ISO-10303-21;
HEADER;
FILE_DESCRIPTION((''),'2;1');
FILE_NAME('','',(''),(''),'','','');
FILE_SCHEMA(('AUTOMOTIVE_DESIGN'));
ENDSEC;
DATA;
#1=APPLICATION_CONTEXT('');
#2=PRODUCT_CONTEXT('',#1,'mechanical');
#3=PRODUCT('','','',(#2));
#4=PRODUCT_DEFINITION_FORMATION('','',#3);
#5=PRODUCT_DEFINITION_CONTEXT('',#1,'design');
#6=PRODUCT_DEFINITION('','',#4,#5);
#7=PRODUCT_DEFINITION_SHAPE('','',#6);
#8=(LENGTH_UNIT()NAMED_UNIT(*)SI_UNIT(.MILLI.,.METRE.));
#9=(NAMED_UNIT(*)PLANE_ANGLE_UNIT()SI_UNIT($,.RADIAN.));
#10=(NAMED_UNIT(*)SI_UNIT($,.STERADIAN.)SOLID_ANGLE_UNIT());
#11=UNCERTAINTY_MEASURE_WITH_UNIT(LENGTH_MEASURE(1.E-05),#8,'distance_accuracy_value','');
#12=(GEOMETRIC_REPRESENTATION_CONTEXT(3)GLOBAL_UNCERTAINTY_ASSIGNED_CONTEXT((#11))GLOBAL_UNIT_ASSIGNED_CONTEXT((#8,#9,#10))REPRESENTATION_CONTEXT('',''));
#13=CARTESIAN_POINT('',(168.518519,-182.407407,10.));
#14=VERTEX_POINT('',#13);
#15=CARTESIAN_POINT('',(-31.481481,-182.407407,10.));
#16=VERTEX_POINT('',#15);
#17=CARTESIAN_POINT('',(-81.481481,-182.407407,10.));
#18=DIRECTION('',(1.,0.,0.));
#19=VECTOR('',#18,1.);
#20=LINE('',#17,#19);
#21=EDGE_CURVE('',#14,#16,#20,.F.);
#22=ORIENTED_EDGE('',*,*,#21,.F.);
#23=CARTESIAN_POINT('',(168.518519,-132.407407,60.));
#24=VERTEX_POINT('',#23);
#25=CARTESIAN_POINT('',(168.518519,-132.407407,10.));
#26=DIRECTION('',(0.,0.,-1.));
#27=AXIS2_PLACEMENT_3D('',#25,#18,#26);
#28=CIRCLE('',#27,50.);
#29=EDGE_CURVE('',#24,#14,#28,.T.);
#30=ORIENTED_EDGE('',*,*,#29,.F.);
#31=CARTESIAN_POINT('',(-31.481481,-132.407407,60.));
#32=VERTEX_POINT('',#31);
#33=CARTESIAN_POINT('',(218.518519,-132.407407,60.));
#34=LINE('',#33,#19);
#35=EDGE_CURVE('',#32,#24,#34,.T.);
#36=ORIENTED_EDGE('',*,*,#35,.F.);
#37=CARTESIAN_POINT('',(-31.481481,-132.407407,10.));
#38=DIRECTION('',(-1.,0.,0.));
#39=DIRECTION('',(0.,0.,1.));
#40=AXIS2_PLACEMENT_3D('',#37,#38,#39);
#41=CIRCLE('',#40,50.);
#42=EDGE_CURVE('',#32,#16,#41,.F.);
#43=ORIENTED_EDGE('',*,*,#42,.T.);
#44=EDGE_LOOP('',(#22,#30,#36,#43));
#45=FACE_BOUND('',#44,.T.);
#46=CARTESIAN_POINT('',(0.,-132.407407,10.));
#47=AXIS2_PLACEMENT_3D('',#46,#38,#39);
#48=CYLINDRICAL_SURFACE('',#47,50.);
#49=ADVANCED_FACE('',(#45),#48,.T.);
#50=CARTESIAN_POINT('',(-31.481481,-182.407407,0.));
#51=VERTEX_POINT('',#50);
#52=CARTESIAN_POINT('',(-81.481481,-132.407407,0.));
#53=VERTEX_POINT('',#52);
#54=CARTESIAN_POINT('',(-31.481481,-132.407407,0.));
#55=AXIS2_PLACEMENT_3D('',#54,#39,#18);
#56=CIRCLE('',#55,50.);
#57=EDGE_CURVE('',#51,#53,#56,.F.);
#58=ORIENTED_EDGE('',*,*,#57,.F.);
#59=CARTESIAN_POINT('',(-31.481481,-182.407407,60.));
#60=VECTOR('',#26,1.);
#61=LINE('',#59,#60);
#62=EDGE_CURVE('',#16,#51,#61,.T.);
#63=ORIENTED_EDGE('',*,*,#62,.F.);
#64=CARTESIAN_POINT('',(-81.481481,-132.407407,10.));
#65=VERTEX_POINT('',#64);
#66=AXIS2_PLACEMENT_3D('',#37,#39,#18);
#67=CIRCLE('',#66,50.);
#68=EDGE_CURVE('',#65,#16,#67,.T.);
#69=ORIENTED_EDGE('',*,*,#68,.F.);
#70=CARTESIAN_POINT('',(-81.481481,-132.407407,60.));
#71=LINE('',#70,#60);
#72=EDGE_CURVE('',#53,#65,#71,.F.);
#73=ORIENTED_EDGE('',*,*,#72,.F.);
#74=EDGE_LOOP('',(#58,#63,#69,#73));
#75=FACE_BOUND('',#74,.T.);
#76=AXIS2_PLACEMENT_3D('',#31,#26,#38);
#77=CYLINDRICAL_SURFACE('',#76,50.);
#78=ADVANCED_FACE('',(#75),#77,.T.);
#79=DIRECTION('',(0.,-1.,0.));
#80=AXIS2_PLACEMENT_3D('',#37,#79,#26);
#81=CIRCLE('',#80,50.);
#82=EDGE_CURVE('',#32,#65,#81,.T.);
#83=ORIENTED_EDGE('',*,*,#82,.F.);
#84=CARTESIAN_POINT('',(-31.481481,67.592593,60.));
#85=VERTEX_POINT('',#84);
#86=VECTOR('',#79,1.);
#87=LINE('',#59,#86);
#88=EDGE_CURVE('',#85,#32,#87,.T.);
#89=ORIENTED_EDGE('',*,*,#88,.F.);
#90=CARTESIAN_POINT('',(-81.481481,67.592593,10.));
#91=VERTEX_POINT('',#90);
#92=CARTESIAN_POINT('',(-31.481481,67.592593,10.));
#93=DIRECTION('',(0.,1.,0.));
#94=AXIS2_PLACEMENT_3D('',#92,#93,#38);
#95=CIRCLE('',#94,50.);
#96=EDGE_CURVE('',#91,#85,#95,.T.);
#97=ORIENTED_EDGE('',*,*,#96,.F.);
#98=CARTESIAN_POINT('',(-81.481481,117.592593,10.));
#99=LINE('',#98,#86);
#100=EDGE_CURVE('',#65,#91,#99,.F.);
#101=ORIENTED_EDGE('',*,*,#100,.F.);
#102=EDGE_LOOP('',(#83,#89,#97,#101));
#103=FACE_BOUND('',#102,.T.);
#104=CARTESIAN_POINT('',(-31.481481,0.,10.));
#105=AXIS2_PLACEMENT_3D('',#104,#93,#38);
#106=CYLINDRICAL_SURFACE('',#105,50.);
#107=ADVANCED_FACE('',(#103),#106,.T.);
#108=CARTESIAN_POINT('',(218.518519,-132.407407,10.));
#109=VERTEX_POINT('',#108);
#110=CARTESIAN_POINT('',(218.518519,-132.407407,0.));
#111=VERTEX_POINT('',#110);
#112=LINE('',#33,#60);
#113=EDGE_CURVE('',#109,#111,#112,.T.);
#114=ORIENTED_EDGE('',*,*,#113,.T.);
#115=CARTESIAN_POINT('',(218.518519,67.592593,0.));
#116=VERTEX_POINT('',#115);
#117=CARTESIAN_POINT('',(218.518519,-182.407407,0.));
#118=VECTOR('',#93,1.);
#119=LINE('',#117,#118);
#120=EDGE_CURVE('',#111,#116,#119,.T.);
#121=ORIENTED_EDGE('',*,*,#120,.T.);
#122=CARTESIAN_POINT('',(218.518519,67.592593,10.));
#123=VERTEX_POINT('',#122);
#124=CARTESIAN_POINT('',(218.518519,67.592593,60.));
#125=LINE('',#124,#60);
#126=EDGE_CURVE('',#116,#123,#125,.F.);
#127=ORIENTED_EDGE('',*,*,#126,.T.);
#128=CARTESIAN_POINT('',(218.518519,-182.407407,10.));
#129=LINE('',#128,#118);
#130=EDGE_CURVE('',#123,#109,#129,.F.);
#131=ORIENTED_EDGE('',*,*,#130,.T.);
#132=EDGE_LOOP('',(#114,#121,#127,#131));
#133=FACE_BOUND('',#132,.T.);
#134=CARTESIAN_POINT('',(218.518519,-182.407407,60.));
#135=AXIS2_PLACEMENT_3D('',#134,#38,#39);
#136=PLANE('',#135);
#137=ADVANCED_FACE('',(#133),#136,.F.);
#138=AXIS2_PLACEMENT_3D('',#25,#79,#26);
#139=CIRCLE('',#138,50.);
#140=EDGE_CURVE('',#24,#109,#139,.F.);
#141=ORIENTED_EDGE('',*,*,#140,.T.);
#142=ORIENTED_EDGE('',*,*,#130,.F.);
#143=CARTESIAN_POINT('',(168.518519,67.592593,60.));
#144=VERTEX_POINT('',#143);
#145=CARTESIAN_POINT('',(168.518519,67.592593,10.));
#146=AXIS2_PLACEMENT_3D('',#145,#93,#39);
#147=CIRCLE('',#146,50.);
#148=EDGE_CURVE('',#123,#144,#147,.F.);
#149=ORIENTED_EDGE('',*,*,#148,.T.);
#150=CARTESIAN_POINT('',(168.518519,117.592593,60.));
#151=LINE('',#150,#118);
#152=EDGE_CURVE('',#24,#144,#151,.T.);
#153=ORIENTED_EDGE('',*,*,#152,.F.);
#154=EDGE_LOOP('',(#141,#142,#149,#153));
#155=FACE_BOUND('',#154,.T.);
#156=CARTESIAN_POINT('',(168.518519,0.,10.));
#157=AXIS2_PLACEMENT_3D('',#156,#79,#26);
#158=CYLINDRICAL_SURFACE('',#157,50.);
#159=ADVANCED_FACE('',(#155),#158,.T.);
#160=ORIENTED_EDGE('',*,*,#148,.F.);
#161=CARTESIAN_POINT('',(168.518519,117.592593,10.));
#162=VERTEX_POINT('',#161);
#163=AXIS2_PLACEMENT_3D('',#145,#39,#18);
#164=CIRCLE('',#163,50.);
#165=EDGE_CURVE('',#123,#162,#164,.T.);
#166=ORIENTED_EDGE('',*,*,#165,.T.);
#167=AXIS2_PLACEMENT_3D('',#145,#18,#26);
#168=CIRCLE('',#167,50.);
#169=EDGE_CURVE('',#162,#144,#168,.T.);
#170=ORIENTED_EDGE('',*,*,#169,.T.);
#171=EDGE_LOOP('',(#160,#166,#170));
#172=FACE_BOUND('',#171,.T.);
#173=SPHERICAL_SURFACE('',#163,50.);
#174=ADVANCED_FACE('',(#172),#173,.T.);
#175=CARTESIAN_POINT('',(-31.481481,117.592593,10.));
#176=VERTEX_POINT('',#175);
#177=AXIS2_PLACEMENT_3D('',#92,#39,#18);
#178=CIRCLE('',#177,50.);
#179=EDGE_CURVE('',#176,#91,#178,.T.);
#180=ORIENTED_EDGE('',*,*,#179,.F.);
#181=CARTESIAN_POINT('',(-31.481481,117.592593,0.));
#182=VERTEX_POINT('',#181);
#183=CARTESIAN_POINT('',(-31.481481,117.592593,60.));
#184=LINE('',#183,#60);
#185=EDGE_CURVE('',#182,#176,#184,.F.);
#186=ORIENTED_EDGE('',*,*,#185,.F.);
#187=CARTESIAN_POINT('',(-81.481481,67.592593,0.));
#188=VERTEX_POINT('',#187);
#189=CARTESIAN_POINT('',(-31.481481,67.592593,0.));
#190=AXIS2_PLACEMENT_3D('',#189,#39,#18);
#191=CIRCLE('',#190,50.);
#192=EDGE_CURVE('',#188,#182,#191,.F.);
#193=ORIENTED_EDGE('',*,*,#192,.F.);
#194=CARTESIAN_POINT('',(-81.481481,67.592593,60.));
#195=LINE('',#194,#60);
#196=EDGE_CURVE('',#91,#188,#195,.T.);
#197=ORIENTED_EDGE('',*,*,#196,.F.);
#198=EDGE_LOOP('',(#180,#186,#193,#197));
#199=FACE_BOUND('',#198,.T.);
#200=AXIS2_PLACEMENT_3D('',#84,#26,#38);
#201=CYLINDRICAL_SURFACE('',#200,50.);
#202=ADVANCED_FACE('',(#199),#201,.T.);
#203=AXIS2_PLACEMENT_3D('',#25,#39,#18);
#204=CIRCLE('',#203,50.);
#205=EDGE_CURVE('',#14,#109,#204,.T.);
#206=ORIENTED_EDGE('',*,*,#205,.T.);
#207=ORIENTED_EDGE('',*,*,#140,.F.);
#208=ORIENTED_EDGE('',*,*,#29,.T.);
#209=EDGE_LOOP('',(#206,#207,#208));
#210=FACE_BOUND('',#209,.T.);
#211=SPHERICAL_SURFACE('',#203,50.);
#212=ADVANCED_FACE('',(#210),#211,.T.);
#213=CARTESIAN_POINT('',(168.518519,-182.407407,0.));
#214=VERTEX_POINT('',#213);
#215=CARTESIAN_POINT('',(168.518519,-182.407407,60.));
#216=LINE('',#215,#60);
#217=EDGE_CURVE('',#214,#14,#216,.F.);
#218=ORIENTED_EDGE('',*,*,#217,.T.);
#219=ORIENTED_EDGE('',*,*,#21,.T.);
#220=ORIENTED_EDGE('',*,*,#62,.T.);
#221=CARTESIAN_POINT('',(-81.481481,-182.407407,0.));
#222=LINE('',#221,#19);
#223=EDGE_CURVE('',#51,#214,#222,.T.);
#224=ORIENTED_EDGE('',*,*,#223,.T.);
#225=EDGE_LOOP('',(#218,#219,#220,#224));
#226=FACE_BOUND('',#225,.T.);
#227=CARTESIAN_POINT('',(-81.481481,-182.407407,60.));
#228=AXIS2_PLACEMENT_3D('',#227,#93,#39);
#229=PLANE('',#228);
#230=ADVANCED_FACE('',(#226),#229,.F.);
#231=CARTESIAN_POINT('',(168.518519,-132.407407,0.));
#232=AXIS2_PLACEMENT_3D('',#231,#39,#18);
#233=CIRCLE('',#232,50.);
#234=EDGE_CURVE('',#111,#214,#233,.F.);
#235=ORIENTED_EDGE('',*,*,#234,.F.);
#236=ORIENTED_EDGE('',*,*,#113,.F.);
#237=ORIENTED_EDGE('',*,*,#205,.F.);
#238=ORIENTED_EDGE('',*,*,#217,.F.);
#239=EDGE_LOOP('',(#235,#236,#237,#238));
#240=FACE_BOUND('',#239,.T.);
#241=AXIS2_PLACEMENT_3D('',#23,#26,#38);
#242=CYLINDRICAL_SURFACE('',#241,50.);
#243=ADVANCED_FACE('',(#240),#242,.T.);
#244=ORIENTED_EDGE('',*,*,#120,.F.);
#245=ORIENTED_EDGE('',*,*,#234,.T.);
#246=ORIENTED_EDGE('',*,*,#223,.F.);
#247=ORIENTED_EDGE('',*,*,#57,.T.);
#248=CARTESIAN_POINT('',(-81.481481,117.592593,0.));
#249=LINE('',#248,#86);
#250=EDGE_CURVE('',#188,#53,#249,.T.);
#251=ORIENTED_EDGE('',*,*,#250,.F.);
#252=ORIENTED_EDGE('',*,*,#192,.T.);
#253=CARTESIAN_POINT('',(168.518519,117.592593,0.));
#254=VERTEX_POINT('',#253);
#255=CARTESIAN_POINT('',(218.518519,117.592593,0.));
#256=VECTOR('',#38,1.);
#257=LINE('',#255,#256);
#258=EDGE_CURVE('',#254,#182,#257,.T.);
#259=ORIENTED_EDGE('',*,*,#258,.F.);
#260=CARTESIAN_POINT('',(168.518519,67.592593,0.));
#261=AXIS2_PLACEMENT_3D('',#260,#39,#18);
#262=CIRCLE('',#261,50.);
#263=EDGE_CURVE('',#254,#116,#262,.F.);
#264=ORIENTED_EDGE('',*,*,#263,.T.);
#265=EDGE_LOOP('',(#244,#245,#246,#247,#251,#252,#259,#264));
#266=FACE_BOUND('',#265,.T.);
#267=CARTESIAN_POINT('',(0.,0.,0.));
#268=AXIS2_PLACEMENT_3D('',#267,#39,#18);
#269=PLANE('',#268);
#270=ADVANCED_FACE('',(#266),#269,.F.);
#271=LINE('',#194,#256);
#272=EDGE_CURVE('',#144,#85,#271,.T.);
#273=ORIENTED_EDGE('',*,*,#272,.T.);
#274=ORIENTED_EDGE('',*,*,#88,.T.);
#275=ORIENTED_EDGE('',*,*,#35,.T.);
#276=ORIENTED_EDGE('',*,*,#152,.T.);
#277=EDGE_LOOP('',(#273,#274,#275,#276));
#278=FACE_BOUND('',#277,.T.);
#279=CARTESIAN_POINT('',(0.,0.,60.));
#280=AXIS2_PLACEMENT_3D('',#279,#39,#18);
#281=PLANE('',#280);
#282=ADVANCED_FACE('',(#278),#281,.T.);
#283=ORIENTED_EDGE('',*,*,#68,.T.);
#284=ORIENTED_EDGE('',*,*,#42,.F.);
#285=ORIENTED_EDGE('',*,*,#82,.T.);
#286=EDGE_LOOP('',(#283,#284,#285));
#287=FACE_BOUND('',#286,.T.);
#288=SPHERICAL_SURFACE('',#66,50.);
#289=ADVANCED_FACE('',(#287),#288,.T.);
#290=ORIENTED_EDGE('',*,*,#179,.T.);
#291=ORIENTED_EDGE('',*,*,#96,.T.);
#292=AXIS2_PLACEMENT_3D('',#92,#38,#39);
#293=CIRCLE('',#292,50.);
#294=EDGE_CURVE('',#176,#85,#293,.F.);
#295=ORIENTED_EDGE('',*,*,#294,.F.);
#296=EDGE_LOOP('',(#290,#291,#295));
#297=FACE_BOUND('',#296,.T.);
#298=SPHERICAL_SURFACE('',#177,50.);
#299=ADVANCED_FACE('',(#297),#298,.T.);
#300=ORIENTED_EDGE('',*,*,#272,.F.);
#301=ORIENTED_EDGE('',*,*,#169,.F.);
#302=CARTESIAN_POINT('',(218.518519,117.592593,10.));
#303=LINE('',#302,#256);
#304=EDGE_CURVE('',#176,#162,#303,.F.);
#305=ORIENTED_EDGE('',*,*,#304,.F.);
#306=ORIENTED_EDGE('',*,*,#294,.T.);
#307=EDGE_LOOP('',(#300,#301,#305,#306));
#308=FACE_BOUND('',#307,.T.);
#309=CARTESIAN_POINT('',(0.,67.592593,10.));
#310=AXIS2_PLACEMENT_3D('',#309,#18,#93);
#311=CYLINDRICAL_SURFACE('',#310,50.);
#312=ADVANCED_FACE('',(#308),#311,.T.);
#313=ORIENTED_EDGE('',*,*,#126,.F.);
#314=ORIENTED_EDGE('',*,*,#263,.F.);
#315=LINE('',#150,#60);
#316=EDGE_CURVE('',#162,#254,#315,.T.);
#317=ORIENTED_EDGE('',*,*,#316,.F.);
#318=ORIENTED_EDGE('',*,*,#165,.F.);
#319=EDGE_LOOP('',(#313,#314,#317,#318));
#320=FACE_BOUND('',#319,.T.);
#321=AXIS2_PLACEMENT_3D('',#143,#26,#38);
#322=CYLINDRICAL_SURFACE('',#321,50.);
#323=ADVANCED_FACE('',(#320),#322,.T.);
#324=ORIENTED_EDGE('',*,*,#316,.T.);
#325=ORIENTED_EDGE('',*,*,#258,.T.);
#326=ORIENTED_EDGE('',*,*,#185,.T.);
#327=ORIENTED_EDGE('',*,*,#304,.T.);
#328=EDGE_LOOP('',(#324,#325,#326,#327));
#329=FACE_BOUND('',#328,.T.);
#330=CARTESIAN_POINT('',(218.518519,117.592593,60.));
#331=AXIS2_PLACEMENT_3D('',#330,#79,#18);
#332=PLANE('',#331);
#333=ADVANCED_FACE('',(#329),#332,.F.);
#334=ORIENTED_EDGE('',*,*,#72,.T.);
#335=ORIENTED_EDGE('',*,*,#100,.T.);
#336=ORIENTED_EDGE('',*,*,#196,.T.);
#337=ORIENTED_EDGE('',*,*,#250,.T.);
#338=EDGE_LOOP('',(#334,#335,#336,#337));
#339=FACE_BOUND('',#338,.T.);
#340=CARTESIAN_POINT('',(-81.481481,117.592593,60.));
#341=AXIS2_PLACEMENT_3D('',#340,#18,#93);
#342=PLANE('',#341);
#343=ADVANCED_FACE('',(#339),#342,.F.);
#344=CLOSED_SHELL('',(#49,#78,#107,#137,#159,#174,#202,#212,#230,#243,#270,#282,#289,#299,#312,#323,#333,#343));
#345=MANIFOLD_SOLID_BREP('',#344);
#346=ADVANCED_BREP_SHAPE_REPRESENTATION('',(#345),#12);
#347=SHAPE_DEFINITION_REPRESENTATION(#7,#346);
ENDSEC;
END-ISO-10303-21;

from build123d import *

# Parameters (mm, degrees)
SKETCH1_W           = 300
SKETCH1_H           = 300
BOSS_EXTRUDE1_DEPTH = 60
FILLET1_R           = 50


with BuildPart() as part:
    # Sketch1 → Boss-Extrude1 (new body)
    with BuildSketch(Plane.XY):
        with Locations((68.518518519, -32.407407407)):
            Rectangle(SKETCH1_W, SKETCH1_H)
    extrude(amount=BOSS_EXTRUDE1_DEPTH)

    # Fillet1
    fillet1_edges = [part.edges().sort_by_distance(p)[0] for p in [
        (68.518518519, -182.407407407, 60),
        (218.518518519, -32.407407407, 60),
        (68.518518519, 117.592592593, 60),
        (218.518518519, 117.592592593, 30),
        (218.518518519, -182.407407407, 30),
        (-81.481481481, -182.407407407, 30),
        (-81.481481481, 117.592592593, 30),
        (-81.481481481, -32.407407407, 60),
    ]]
    fillet(fillet1_edges, radius=FILLET1_R)


solid = part.part
